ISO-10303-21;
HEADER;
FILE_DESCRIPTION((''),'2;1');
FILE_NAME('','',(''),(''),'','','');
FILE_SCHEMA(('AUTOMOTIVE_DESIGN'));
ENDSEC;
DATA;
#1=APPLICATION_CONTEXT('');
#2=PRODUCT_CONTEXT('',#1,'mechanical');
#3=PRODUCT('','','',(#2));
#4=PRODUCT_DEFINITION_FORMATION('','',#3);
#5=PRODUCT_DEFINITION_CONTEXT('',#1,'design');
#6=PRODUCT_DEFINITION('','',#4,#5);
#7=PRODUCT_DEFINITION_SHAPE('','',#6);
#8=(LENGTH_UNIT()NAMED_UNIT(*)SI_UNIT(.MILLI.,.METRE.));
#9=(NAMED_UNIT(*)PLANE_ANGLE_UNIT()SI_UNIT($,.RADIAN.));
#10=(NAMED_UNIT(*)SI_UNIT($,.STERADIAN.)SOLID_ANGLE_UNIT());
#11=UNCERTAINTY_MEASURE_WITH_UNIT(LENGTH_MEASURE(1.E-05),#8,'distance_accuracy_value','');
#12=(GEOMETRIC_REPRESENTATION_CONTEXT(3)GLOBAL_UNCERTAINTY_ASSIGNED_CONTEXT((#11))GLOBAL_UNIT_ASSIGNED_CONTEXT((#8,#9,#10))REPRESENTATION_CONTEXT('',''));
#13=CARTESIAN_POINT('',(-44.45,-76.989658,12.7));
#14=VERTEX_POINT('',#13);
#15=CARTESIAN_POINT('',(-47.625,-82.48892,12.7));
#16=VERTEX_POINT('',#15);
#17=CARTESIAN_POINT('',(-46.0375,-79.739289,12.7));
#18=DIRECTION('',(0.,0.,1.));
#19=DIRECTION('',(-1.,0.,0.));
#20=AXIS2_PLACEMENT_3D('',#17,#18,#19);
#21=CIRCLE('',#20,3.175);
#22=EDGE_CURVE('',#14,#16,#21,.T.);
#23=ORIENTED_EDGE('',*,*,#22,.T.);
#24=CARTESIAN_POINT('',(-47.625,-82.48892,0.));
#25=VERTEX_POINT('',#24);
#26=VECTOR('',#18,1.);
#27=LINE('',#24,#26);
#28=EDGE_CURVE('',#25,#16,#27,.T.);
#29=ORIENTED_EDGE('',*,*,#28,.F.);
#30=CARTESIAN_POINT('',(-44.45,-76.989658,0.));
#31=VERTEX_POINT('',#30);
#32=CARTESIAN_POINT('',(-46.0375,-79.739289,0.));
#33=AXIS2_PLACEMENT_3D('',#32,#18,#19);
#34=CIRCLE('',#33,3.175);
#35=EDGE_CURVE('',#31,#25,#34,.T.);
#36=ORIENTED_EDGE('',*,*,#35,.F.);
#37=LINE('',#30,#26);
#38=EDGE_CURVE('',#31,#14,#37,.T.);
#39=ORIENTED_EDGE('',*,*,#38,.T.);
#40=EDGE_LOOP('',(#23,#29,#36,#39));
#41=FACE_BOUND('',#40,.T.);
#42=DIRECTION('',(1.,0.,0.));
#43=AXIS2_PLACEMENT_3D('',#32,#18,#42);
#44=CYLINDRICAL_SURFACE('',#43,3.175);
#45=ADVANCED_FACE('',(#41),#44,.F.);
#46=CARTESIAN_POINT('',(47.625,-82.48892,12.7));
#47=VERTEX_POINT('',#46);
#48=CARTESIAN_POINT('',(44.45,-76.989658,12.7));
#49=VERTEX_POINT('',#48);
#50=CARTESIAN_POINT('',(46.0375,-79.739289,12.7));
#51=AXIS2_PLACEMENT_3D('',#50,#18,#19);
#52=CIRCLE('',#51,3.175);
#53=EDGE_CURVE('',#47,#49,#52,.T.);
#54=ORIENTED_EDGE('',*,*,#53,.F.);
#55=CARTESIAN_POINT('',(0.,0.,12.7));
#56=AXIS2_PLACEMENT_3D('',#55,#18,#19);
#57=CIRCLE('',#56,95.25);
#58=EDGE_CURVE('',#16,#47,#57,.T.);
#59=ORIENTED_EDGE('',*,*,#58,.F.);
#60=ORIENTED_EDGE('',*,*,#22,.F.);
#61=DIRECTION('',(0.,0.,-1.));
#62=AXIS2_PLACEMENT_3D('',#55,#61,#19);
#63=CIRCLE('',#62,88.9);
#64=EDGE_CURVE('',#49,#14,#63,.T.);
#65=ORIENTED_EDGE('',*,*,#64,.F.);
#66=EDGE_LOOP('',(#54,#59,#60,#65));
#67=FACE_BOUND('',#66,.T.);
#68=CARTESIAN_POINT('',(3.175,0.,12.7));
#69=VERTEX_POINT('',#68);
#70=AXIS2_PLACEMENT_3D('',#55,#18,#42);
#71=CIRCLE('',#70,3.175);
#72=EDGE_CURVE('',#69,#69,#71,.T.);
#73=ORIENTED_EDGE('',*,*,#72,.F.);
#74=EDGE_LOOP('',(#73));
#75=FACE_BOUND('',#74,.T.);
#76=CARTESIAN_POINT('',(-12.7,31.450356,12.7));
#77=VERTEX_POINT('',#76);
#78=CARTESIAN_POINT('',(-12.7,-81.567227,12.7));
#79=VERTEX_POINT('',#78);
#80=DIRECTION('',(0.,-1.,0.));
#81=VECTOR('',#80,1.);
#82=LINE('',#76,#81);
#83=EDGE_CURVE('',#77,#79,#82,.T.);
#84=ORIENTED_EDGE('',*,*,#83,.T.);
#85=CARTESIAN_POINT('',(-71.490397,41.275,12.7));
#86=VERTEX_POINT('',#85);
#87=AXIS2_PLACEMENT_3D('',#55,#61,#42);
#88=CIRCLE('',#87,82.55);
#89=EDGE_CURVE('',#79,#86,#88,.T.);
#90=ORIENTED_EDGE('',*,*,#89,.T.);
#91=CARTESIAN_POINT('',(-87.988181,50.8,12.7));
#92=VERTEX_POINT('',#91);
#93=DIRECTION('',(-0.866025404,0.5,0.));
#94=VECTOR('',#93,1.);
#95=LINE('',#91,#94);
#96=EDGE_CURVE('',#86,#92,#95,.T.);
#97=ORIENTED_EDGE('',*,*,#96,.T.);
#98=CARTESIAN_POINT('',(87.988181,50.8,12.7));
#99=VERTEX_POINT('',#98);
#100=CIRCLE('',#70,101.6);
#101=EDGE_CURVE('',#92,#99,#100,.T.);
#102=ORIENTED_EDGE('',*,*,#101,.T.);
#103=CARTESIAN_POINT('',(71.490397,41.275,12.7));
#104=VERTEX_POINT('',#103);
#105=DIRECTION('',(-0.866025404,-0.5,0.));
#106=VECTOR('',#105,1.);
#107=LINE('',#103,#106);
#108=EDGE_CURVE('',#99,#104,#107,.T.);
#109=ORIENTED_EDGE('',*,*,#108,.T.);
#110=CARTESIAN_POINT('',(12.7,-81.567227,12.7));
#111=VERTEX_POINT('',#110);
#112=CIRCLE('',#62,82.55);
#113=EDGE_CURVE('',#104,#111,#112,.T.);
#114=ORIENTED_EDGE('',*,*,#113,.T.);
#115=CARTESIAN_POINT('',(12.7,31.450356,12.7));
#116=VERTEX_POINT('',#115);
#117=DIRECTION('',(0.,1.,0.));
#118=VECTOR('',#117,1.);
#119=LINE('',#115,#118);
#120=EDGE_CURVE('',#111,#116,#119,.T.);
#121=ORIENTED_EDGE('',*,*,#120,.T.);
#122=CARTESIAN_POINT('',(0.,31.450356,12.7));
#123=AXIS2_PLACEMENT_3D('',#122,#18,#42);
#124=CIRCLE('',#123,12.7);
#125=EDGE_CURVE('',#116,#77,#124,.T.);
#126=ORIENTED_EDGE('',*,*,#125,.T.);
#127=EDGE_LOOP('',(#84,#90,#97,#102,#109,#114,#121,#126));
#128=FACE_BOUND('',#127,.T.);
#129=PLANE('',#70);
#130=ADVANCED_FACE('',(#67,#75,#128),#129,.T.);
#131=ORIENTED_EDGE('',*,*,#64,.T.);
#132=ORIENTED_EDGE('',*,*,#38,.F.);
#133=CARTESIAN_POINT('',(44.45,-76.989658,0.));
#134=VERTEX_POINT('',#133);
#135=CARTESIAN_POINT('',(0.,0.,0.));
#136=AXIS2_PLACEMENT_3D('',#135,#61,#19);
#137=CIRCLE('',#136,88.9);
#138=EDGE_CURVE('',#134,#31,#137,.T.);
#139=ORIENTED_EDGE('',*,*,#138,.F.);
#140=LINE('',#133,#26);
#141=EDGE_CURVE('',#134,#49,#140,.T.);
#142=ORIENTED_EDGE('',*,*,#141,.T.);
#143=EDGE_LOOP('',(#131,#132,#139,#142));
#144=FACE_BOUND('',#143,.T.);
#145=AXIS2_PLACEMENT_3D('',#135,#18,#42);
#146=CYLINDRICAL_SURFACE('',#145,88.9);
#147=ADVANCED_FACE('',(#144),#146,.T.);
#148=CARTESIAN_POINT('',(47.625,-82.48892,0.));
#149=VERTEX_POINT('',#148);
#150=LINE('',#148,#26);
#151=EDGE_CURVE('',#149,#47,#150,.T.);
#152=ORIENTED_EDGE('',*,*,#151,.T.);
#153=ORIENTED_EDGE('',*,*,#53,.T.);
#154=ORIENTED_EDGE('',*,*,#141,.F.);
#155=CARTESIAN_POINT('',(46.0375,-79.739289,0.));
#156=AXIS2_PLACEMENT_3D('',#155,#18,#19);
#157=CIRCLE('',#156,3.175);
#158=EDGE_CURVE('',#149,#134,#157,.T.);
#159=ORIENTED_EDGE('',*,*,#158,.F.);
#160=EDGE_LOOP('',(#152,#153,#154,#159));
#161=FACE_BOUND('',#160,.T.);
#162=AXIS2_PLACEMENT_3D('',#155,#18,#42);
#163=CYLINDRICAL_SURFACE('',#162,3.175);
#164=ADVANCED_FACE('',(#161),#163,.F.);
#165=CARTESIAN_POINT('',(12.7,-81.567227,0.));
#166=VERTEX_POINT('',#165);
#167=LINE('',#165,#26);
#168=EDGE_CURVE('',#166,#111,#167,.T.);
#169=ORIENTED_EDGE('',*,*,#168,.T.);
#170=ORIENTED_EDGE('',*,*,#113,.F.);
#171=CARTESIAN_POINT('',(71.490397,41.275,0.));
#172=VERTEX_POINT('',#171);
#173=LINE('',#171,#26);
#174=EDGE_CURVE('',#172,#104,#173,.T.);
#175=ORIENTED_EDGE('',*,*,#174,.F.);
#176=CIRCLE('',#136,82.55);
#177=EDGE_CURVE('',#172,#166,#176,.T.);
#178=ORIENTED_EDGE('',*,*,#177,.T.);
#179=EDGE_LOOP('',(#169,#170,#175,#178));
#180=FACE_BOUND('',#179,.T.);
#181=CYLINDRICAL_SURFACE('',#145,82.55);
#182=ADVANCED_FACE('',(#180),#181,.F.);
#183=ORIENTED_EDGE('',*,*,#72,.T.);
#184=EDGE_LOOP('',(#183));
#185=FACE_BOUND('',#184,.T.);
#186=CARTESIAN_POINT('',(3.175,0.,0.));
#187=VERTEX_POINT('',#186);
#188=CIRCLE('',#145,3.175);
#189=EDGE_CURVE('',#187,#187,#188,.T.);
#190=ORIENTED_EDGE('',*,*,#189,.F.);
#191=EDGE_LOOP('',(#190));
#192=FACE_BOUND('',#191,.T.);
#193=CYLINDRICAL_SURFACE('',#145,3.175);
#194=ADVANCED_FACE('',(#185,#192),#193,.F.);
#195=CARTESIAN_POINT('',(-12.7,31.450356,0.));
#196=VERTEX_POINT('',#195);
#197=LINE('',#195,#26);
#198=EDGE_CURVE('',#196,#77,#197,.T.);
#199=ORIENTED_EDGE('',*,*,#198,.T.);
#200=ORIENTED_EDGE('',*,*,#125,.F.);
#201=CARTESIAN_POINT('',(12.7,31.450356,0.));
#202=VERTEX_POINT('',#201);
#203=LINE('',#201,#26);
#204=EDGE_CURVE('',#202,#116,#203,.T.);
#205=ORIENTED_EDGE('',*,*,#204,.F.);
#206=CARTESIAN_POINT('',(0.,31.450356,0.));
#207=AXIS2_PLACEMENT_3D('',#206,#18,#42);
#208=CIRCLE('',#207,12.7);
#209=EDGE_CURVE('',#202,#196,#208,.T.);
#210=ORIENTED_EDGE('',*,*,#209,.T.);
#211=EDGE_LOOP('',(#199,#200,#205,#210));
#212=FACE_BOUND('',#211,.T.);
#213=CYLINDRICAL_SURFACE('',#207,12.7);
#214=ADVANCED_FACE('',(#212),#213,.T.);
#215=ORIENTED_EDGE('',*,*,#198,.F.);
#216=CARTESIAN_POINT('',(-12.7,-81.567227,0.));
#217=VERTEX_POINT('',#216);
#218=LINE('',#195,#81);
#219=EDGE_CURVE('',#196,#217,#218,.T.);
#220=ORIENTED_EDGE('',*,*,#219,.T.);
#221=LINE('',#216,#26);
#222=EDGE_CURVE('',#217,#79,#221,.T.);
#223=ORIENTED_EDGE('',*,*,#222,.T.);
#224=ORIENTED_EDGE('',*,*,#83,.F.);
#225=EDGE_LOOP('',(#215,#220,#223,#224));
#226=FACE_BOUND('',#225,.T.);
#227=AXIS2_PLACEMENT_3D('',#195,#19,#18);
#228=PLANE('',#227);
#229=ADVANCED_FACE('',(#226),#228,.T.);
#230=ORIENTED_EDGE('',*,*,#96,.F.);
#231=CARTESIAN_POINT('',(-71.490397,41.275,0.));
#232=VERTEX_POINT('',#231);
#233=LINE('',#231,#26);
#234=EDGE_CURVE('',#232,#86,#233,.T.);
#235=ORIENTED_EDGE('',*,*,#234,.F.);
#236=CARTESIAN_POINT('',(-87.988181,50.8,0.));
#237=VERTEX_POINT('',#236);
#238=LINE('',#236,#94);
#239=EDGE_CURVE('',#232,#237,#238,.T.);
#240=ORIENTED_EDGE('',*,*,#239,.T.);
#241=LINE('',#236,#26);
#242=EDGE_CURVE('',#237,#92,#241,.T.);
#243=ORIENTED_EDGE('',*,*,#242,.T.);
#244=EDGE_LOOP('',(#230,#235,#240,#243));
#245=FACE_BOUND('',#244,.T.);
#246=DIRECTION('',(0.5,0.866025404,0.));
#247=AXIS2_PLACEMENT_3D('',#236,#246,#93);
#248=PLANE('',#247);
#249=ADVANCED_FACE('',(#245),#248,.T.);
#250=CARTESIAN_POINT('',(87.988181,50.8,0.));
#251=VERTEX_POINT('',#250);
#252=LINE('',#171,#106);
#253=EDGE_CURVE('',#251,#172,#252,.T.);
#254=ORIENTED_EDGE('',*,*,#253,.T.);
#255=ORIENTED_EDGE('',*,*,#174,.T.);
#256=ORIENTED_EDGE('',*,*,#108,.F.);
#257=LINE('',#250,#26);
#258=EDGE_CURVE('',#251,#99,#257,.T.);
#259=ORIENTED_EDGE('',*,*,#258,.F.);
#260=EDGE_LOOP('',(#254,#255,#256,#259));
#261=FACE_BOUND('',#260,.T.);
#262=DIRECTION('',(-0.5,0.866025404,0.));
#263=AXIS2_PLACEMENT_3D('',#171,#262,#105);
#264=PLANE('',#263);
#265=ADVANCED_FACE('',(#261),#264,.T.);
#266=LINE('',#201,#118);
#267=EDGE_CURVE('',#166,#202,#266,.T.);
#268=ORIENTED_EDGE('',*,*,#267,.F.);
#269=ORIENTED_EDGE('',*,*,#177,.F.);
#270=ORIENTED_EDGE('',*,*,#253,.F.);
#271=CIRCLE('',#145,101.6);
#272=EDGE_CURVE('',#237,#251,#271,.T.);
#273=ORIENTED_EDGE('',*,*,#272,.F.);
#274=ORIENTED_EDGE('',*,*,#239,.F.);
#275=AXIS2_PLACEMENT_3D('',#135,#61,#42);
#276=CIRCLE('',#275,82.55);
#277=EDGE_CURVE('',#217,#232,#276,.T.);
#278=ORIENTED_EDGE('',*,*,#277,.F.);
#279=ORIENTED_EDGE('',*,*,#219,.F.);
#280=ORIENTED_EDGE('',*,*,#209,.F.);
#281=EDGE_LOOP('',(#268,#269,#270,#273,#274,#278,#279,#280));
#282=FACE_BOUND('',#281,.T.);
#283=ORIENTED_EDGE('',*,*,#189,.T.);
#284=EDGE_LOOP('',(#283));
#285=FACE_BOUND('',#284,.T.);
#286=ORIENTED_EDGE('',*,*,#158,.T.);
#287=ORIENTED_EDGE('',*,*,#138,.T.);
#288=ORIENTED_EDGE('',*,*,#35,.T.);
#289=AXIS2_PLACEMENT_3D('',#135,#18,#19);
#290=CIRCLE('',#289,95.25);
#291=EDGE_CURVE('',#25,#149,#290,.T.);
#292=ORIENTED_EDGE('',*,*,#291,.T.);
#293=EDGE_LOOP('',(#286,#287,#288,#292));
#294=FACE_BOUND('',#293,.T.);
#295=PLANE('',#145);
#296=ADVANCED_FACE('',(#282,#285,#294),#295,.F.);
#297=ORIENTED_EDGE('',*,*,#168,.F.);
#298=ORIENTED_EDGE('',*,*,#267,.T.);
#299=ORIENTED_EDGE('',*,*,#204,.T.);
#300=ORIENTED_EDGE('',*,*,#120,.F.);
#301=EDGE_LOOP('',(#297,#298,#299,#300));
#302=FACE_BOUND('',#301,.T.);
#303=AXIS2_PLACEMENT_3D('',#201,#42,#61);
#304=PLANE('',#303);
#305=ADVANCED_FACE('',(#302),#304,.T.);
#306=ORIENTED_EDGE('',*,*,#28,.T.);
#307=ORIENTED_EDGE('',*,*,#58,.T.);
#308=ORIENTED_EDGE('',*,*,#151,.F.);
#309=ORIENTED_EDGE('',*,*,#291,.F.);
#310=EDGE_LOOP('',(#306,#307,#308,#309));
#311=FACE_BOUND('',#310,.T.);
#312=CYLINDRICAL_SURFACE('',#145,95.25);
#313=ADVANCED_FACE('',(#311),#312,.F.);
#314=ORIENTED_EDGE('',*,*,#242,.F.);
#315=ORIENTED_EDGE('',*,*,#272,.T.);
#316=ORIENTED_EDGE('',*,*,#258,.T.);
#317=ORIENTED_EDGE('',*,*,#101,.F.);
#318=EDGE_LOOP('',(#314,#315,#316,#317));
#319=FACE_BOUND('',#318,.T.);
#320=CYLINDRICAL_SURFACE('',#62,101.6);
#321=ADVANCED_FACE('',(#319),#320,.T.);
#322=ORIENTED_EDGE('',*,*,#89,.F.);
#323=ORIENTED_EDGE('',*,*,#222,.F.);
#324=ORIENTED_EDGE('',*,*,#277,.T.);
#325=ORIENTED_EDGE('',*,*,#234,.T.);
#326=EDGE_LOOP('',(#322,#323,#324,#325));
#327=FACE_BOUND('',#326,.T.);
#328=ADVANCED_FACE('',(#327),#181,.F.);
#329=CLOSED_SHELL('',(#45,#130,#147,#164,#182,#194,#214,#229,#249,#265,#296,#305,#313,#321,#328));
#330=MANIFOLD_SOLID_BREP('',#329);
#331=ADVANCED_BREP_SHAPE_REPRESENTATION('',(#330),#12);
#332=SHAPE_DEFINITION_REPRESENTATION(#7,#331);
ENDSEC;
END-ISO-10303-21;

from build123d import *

# Parameters (mm, degrees)
SKETCH1_R         = 101.6
EXTRUDE1_DEPTH    = 12.7
SKETCH3_R         = 3.175
EXTRUDE3_DEPTH    = 145.244271983
SKETCH4_OUTSIDE_W = 262.73
SKETCH4_OUTSIDE_H = 262.73
EXTRUDE4_DEPTH    = 145.244271983


with BuildPart() as part:
    # Sketch1 → Extrude1 (new body)
    with BuildSketch(Plane.XY):
        Circle(SKETCH1_R)
    extrude(amount=EXTRUDE1_DEPTH)

    # Sketch3 → Extrude3 (cut, through all)
    with BuildSketch(Plane.XY.offset(12.7)):
        Circle(SKETCH3_R)
        with BuildLine():
            ThreePointArc((47.625, -82.48891971), (0, -95.25), (-47.625, -82.48891971))
            ThreePointArc((-47.625, -82.48891971), (-48.787130657, -78.151789053), (-44.45, -76.989658396))
            ThreePointArc((-44.45, -76.989658396), (0, -88.9), (44.45, -76.989658396))
            ThreePointArc((44.45, -76.989658396), (48.787130657, -78.151789053), (47.625, -82.48891971))
        make_face()
    extrude(amount=-EXTRUDE3_DEPTH, mode=Mode.SUBTRACT)

    # Sketch4 outside → Extrude4 (cut, through all)
    with BuildSketch(Plane.XY.offset(12.7)):
        Rectangle(SKETCH4_OUTSIDE_W, SKETCH4_OUTSIDE_H)
        with BuildLine():
            Line((-87.988181024, 50.8), (-71.490397082, 41.275))
            ThreePointArc((-71.490397082, 41.275), (-74.46179501, -35.636267817), (-12.7, -81.567226875))
            Line((-12.7, -81.567226875), (-12.7, 31.450356454))
            ThreePointArc((-12.7, 31.450356454), (0, 44.150356454), (12.7, 31.450356454))
            Line((12.7, 31.450356454), (12.7, -81.567226875))
            ThreePointArc((12.7, -81.567226875), (74.46179501, -35.636267817), (71.490397082, 41.275))
            Line((71.490397082, 41.275), (87.988181024, 50.8))
            ThreePointArc((87.988181024, 50.8), (0, -101.6), (-87.988181024, 50.8))
        make_face(mode=Mode.SUBTRACT)
    extrude(amount=-EXTRUDE4_DEPTH, mode=Mode.SUBTRACT)


solid = part.part
